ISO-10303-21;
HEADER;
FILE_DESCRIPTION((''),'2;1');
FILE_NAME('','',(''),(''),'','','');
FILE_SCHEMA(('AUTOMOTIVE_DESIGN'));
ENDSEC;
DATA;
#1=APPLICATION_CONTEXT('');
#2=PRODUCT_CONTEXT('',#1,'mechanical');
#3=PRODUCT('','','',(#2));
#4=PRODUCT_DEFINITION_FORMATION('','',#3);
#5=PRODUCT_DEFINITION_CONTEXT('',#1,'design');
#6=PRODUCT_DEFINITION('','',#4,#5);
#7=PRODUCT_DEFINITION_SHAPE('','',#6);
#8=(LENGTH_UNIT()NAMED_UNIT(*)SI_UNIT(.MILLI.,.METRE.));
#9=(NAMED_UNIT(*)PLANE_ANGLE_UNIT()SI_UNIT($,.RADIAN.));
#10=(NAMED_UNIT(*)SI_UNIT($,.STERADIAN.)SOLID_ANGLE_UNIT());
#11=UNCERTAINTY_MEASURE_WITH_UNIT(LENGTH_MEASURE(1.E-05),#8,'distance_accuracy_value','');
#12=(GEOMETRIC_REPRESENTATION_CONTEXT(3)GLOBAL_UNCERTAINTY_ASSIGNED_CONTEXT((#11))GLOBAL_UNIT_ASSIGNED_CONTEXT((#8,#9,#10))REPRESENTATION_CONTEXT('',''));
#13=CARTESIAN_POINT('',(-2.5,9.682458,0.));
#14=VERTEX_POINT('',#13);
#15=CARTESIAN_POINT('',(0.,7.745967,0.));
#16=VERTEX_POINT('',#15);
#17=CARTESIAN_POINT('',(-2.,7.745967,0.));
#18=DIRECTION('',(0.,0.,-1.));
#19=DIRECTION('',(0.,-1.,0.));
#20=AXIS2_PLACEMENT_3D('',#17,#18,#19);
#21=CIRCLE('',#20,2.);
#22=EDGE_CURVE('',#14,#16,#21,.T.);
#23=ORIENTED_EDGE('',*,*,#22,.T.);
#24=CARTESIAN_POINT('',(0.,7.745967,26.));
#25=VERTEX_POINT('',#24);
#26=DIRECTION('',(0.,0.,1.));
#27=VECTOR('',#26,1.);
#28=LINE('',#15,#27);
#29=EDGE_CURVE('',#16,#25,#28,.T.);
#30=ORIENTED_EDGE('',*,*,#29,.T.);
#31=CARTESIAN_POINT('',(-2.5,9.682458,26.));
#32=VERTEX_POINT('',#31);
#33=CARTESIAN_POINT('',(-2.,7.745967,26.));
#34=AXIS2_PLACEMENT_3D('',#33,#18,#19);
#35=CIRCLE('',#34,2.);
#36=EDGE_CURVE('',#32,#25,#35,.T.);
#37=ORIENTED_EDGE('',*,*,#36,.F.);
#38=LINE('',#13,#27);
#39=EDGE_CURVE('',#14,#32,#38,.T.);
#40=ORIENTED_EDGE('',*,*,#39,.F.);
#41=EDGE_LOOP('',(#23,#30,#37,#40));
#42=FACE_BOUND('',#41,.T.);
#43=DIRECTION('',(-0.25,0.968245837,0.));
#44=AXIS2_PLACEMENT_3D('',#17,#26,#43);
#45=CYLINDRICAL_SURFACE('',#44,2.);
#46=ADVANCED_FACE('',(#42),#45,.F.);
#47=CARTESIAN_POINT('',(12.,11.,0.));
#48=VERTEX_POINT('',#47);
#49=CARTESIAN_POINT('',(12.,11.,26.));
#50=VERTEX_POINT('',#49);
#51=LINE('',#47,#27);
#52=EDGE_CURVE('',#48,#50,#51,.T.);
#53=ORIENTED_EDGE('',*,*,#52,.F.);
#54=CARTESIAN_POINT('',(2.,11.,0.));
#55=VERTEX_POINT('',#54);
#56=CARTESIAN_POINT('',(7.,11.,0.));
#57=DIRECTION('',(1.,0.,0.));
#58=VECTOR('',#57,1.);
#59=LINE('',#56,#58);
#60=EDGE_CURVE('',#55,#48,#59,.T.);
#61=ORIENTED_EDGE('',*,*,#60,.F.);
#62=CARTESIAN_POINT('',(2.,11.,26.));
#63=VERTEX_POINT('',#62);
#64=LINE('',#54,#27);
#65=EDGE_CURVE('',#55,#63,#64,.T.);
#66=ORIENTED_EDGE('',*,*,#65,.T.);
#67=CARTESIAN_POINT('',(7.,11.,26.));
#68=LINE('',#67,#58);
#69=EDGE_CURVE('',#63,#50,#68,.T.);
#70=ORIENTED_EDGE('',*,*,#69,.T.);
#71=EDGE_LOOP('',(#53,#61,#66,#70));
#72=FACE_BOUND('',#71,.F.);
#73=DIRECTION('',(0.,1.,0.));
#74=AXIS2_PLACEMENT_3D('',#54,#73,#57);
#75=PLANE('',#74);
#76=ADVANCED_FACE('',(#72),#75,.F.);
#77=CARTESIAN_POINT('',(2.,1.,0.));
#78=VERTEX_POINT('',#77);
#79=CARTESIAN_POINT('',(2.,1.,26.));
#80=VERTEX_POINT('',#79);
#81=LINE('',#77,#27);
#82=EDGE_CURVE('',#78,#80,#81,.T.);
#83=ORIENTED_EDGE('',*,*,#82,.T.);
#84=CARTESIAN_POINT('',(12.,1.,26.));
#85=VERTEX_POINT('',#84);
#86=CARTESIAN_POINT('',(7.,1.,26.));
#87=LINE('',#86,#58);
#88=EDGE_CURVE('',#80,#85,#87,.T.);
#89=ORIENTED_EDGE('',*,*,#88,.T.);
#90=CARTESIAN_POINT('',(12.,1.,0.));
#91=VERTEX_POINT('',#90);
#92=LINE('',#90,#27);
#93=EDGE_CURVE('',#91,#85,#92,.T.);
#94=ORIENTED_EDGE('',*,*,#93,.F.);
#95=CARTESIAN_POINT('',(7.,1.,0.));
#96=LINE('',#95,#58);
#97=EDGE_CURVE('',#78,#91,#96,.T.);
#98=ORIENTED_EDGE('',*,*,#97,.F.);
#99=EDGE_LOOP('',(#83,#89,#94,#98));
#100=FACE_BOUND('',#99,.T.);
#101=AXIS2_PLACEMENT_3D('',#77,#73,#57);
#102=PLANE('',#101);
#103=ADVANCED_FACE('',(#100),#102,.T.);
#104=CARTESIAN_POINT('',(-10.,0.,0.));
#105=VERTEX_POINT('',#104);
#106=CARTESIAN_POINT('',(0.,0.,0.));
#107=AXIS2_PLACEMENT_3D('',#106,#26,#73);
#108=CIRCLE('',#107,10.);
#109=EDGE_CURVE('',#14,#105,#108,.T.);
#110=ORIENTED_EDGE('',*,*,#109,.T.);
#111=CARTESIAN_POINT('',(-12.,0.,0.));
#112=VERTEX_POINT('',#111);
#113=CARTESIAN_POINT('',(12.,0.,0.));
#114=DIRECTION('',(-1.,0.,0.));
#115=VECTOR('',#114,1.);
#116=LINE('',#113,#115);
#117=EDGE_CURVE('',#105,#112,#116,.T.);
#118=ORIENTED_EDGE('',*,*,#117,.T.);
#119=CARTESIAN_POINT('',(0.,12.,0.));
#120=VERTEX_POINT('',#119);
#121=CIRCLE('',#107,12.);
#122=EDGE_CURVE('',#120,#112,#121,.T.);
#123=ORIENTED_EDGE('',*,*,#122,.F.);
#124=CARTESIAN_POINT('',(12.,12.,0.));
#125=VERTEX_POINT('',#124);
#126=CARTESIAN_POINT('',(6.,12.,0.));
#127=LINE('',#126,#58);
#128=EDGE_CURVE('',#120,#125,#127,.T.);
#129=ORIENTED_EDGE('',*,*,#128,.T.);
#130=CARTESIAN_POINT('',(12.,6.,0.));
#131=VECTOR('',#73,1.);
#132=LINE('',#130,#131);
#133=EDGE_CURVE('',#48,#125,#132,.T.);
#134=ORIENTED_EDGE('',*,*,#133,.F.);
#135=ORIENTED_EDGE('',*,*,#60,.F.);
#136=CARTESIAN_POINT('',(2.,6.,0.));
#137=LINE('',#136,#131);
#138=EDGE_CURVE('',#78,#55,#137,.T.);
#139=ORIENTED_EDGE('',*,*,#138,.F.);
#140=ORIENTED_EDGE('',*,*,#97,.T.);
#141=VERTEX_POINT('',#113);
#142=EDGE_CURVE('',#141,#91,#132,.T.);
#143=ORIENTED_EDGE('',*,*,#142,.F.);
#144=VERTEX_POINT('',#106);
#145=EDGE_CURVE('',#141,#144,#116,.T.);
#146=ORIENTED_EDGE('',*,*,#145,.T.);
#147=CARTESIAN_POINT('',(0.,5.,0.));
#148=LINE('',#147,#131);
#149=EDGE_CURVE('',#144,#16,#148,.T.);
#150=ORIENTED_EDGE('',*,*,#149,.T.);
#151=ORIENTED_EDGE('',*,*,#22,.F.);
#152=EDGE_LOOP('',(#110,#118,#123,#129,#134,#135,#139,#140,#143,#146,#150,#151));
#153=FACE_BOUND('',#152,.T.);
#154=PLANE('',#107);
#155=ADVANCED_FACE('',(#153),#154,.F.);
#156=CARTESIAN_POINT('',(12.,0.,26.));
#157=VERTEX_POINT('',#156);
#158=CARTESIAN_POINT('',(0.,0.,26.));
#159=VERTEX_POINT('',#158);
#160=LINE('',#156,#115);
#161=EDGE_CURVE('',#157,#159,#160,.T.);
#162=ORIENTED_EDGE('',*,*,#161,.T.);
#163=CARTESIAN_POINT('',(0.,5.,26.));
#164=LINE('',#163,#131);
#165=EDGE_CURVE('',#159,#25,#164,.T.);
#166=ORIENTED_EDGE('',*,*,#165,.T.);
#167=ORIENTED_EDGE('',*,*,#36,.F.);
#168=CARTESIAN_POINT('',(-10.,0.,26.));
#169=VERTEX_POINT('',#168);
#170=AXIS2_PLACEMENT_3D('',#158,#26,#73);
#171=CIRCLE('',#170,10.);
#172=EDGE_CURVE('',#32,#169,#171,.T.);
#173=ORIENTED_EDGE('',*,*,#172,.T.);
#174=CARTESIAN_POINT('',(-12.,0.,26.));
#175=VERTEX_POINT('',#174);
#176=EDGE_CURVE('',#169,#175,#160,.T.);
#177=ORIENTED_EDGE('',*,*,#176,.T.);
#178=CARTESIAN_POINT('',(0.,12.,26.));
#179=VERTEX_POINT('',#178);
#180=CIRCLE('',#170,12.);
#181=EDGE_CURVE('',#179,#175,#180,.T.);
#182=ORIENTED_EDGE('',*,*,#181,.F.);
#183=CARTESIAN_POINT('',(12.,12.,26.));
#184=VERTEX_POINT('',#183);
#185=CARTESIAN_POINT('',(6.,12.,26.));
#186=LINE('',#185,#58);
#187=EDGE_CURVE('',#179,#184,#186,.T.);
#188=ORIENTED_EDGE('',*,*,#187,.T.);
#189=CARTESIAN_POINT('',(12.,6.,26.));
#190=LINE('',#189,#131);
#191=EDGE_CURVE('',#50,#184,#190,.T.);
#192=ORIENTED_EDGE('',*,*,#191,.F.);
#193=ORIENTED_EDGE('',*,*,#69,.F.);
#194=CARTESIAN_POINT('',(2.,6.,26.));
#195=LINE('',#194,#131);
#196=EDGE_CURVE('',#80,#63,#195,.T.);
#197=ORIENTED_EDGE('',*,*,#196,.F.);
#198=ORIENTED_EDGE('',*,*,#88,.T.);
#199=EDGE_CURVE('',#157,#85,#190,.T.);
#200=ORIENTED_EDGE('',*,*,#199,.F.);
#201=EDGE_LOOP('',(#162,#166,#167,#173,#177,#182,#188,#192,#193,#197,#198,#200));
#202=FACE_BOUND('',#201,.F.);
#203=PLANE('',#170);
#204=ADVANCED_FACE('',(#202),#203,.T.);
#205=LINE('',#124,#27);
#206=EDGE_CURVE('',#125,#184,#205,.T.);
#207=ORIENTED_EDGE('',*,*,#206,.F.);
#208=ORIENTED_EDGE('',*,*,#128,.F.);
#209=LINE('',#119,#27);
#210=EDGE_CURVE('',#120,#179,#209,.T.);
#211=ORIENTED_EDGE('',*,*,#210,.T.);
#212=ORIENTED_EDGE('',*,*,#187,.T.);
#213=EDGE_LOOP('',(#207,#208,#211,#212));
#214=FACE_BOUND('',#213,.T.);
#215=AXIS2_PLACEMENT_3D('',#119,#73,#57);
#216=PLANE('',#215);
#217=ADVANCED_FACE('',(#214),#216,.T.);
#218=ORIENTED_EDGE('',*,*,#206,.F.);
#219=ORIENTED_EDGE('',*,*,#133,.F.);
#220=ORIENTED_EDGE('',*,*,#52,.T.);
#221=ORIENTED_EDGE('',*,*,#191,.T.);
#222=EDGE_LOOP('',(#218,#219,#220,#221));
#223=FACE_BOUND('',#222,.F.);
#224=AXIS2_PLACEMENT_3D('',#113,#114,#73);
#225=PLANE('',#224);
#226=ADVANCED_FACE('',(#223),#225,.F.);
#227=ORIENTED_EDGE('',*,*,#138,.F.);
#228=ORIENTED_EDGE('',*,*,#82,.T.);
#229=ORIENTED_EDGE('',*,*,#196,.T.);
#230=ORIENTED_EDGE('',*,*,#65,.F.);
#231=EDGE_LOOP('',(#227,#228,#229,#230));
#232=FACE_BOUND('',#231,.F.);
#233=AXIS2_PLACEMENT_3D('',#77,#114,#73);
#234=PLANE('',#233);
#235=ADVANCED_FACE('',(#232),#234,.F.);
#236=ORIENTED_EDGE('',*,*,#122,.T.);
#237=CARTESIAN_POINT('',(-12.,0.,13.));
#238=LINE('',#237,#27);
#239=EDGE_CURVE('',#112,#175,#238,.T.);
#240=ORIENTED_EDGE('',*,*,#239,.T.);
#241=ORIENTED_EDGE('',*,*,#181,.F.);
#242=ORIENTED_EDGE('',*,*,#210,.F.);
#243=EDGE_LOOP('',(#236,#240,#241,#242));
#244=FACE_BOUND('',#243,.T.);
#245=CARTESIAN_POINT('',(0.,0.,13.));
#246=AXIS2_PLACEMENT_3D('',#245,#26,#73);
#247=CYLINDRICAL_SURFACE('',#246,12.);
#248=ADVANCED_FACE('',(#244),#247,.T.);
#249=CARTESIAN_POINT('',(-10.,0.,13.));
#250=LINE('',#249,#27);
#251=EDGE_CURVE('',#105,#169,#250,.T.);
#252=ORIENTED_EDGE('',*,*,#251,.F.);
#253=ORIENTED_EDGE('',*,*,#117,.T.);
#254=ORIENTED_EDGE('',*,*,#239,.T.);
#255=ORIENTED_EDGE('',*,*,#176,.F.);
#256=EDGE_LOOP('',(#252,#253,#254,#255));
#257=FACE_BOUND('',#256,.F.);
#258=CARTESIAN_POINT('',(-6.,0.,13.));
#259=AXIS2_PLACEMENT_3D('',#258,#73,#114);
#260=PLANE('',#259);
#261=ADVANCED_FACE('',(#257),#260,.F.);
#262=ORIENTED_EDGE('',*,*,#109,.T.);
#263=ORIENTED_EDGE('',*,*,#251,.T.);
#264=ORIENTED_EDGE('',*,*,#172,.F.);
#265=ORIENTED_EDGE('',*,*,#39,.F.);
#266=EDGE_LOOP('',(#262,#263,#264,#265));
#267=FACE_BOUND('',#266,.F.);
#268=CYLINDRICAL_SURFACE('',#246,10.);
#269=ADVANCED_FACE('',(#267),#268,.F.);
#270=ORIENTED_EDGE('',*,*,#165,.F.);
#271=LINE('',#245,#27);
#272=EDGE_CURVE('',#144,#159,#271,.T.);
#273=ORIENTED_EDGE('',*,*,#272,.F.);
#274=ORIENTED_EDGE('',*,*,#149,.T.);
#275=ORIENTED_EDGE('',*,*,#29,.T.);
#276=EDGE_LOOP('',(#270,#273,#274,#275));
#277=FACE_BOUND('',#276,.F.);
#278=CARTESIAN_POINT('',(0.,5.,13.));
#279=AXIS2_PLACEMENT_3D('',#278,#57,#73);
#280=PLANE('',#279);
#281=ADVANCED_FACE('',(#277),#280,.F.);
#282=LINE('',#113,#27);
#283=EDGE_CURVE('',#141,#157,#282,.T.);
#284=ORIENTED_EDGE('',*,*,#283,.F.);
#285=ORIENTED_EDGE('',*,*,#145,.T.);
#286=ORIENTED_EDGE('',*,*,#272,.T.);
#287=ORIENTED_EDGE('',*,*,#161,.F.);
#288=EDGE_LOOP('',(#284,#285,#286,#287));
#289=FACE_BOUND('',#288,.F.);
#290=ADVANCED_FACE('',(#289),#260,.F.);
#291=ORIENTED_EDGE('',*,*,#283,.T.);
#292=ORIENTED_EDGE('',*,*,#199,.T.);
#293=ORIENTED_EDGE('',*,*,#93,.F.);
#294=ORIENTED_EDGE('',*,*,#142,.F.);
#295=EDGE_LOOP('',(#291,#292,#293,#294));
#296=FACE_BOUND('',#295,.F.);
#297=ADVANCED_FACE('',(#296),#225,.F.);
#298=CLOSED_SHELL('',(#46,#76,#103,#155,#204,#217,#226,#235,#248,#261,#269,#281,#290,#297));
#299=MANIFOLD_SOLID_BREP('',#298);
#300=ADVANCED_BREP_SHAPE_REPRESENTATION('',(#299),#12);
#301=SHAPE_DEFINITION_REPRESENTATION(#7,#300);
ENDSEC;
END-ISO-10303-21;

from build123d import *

# Parameters (mm, degrees)
CYLINDER001_W     = 10
CYLINDER001_H     = 26
CYLINDER001_ANGLE = 90
BOX001_W          = 10
BOX001_H          = 10
BOX001_DEPTH      = 26
CYLINDER_W        = 12
CYLINDER_H        = 26
CYLINDER_ANGLE    = 90
BOX_W             = 12
BOX_H             = 12
BOX_DEPTH         = 26
FILLET_R          = 2


with BuildPart() as cylinder001:
    # Cylinder001 → Cylinder001 (revolve)
    with BuildSketch(Plane.YZ):
        with Locations((5, 13)):
            Rectangle(CYLINDER001_W, CYLINDER001_H)
    revolve(axis=Axis((0, 0, 0), (0, 0, 1)), revolution_arc=CYLINDER001_ANGLE)


with BuildPart() as cube001:
    # Box001 → Box001 (new body)
    with BuildSketch(Plane(origin=(2, 1, 0), x_dir=(1, 0, 0), z_dir=(0, 0, 1))):
        with Locations((5, 5)):
            Rectangle(BOX001_W, BOX001_H)
    extrude(amount=BOX001_DEPTH)


with BuildPart() as cylinder:
    # Cylinder → Cylinder (revolve)
    with BuildSketch(Plane.YZ):
        with Locations((6, 13)):
            Rectangle(CYLINDER_W, CYLINDER_H)
    revolve(axis=Axis((0, 0, 0), (0, 0, 1)), revolution_arc=CYLINDER_ANGLE)


with BuildPart() as fillet_body:
    # Box → Box (new body)
    with BuildSketch(Plane.XY):
        with Locations((6, 6)):
            Rectangle(BOX_W, BOX_H)
    extrude(amount=BOX_DEPTH)

    # Fusion: union Cylinder
    add(cylinder.part)

    # Cut: cut Cube001
    add(cube001.part, mode=Mode.SUBTRACT)

    # Cut001: cut Cylinder001
    add(cylinder001.part, mode=Mode.SUBTRACT)

    # Fillet
    fillet_edges = [fillet_body.edges().sort_by_distance(p)[0] for p in [
        (0, 10, 13),
    ]]
    fillet(fillet_edges, radius=FILLET_R)


solid = fillet_body.part
